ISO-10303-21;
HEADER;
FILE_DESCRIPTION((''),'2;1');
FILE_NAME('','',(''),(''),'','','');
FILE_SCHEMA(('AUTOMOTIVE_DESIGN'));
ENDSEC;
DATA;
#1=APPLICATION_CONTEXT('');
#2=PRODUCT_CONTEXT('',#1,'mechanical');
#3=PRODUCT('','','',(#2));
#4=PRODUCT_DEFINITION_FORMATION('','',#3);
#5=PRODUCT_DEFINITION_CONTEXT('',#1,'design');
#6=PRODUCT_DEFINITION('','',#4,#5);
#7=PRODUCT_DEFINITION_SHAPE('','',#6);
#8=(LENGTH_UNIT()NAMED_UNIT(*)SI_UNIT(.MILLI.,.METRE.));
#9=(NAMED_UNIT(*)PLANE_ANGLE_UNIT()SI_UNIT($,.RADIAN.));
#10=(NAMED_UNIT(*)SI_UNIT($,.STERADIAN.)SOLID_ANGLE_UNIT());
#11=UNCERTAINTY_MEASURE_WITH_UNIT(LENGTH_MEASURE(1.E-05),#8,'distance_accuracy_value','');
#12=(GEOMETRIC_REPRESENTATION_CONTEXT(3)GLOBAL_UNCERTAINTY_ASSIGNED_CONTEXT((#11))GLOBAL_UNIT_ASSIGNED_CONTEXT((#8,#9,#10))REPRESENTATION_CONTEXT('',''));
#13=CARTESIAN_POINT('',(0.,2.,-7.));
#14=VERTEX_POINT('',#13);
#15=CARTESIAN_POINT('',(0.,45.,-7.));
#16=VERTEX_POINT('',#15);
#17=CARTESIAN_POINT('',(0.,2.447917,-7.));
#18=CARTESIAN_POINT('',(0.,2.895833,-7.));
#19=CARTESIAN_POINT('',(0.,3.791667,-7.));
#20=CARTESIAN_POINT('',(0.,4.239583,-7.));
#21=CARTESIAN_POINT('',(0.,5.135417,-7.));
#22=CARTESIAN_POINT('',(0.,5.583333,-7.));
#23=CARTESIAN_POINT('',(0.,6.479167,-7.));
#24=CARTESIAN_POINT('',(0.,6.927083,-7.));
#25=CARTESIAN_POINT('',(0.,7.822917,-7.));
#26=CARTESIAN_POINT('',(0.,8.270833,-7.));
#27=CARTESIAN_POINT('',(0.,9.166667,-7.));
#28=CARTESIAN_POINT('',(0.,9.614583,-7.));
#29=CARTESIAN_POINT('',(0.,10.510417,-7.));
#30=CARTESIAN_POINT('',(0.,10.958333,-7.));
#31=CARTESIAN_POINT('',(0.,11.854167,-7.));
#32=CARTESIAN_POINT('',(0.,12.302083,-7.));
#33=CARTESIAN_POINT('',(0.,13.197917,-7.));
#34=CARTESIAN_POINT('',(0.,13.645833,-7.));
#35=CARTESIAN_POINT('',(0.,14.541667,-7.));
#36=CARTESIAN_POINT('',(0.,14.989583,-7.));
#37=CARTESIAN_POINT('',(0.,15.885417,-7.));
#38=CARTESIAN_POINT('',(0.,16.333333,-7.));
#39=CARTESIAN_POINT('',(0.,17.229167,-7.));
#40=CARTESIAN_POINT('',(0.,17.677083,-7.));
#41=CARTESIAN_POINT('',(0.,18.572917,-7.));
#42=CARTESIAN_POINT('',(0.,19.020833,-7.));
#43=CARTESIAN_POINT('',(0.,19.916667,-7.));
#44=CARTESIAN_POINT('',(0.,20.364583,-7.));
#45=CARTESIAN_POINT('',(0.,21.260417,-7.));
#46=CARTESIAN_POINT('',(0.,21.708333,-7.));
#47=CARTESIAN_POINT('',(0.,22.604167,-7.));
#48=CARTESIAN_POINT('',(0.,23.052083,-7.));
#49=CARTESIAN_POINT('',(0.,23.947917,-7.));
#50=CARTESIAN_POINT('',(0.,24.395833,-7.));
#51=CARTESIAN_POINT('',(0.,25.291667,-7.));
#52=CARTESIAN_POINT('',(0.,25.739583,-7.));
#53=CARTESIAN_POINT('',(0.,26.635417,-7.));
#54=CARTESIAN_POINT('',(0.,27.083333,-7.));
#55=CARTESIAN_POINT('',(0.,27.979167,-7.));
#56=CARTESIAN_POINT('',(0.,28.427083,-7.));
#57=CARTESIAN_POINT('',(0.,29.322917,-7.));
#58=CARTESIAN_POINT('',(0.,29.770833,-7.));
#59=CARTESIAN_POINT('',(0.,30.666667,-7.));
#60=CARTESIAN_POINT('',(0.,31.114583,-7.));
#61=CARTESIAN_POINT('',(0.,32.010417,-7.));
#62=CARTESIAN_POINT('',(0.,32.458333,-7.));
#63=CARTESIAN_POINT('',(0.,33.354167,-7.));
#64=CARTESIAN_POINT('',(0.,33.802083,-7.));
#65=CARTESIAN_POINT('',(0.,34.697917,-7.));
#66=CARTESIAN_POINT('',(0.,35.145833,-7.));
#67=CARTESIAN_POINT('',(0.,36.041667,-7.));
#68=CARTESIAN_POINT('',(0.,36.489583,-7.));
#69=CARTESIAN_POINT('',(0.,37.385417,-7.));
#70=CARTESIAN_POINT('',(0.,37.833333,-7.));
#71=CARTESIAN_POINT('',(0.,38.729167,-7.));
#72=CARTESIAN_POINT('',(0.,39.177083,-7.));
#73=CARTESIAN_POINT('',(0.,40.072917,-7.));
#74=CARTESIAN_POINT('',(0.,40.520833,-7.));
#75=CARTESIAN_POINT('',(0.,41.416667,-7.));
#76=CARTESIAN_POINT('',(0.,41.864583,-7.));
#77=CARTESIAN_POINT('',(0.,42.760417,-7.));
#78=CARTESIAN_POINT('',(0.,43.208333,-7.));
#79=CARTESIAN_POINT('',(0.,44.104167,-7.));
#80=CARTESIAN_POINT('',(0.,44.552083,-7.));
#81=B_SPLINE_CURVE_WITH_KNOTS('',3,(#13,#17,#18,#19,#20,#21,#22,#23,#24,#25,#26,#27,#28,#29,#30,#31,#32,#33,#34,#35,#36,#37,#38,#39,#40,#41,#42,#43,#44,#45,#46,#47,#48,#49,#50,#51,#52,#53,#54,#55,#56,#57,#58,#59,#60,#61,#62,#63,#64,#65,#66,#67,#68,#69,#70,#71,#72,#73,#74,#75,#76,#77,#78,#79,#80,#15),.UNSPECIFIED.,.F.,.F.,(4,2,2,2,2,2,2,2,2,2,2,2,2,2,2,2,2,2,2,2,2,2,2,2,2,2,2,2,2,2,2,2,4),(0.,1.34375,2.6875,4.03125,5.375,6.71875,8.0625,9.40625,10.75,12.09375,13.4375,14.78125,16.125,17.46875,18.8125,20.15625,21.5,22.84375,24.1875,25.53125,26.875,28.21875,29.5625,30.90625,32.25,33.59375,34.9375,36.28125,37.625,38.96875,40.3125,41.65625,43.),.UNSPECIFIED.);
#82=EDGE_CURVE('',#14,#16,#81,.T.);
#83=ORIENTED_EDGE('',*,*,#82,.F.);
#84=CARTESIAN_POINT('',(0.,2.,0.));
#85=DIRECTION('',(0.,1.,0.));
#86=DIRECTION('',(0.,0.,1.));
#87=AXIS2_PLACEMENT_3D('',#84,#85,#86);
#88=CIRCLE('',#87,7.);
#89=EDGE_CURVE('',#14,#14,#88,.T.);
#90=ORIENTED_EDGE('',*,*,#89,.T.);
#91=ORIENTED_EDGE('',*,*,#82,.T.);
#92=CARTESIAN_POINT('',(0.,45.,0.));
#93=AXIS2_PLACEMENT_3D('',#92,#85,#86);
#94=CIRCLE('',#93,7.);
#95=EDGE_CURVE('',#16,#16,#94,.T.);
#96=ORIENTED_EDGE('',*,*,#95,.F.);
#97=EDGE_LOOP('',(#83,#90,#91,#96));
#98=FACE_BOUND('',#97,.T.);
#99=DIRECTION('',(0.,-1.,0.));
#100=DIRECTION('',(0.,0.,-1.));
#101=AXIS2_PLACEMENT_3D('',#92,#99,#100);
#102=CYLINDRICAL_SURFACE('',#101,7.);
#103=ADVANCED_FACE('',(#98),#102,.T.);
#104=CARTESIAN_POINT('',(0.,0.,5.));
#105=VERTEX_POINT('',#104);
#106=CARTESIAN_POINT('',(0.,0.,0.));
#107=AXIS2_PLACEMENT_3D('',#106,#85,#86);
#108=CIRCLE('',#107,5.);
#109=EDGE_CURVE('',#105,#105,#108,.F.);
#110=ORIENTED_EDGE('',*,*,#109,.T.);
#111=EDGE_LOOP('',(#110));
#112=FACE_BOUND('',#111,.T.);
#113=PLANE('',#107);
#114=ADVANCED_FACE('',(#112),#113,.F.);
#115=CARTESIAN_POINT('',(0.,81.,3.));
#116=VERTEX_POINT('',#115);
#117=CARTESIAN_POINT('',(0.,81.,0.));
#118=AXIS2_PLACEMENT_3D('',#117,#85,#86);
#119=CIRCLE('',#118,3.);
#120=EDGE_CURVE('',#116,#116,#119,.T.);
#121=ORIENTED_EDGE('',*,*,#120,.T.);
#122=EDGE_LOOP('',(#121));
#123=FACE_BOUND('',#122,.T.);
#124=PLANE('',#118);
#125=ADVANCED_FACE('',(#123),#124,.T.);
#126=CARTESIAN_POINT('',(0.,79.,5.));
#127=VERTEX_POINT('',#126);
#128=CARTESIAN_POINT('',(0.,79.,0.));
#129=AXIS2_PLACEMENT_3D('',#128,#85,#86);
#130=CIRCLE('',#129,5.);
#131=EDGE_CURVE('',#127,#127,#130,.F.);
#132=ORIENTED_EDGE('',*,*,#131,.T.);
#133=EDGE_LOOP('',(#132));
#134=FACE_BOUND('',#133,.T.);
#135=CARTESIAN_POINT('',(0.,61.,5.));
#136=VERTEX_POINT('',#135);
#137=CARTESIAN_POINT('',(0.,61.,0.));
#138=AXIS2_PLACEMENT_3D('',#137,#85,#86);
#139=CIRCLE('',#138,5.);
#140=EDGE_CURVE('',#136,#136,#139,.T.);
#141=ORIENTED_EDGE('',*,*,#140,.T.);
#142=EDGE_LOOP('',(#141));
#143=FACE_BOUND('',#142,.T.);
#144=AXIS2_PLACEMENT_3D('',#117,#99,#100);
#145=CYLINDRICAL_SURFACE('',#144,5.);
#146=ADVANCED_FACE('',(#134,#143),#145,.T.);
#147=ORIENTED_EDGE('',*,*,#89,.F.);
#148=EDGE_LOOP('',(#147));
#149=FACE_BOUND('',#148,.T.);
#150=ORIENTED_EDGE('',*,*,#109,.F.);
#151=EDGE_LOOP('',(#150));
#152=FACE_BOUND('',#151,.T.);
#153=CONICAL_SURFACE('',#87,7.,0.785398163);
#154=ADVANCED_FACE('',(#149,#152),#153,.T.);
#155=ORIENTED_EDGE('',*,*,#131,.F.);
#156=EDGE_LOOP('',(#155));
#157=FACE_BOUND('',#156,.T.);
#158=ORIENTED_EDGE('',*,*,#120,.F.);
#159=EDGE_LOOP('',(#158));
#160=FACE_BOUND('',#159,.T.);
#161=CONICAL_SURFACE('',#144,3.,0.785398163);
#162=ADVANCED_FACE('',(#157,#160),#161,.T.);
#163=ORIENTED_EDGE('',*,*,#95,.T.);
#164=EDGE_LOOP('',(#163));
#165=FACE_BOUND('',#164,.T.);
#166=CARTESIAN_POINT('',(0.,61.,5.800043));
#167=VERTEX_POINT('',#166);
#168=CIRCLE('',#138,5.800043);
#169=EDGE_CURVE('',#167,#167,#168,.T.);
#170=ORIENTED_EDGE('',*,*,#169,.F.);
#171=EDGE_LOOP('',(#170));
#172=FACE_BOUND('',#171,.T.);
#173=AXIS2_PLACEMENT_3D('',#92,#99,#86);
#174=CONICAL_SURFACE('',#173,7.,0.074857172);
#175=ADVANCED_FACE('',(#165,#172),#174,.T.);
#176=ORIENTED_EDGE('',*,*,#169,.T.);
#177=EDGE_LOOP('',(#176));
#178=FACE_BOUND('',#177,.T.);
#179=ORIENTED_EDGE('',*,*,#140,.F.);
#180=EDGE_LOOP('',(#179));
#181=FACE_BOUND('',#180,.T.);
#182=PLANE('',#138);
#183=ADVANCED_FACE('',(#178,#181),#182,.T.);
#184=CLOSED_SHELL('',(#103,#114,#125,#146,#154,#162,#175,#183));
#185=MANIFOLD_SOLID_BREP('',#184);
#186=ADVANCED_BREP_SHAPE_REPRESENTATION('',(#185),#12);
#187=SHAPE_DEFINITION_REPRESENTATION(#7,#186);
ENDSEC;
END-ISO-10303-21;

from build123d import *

# Parameters (mm, degrees)
SKETCH2_R           = 7
BOSS_EXTRUDE1_DEPTH = 45
SKETCH3_R           = 7
BOSS_EXTRUDE2_DEPTH = 16
BOSS_EXTRUDE2_TAPER = 4.289
SKETCH4_R           = 5
BOSS_EXTRUDE3_DEPTH = 20
CHAMFER1_SIZE       = 2


with BuildPart() as part:
    # Sketch2 → Boss-Extrude1 (new body)
    with BuildSketch(Plane(origin=(0, 0, 0), x_dir=(1, 0, 0), z_dir=(0, 1, 0))):
        with Locations(Location((0, 0, 0), (0, 0, 90))):
            Circle(SKETCH2_R)
    extrude(amount=BOSS_EXTRUDE1_DEPTH)

    # Sketch3 → Boss-Extrude2 (add)
    with BuildSketch(Plane(origin=(0, 45, 0), x_dir=(1, 0, 0), z_dir=(0, 1, 0))):
        with Locations(Location((0, 0, 0), (0, 0, 90))):
            Circle(SKETCH3_R)
    extrude(amount=BOSS_EXTRUDE2_DEPTH, taper=BOSS_EXTRUDE2_TAPER)

    # Sketch4 → Boss-Extrude3 (add)
    with BuildSketch(Plane(origin=(0, 61, 0), x_dir=(1, 0, 0), z_dir=(0, 1, 0))):
        with Locations(Location((0, 0, 0), (0, 0, 270))):
            Circle(SKETCH4_R)
    extrude(amount=BOSS_EXTRUDE3_DEPTH)

    # Chamfer1
    chamfer1_edges = [part.edges().sort_by_distance(p)[0] for p in [
        (0, 0, 7),
        (0, 81, -5),
    ]]
    chamfer(chamfer1_edges, length=CHAMFER1_SIZE)


solid = part.part
